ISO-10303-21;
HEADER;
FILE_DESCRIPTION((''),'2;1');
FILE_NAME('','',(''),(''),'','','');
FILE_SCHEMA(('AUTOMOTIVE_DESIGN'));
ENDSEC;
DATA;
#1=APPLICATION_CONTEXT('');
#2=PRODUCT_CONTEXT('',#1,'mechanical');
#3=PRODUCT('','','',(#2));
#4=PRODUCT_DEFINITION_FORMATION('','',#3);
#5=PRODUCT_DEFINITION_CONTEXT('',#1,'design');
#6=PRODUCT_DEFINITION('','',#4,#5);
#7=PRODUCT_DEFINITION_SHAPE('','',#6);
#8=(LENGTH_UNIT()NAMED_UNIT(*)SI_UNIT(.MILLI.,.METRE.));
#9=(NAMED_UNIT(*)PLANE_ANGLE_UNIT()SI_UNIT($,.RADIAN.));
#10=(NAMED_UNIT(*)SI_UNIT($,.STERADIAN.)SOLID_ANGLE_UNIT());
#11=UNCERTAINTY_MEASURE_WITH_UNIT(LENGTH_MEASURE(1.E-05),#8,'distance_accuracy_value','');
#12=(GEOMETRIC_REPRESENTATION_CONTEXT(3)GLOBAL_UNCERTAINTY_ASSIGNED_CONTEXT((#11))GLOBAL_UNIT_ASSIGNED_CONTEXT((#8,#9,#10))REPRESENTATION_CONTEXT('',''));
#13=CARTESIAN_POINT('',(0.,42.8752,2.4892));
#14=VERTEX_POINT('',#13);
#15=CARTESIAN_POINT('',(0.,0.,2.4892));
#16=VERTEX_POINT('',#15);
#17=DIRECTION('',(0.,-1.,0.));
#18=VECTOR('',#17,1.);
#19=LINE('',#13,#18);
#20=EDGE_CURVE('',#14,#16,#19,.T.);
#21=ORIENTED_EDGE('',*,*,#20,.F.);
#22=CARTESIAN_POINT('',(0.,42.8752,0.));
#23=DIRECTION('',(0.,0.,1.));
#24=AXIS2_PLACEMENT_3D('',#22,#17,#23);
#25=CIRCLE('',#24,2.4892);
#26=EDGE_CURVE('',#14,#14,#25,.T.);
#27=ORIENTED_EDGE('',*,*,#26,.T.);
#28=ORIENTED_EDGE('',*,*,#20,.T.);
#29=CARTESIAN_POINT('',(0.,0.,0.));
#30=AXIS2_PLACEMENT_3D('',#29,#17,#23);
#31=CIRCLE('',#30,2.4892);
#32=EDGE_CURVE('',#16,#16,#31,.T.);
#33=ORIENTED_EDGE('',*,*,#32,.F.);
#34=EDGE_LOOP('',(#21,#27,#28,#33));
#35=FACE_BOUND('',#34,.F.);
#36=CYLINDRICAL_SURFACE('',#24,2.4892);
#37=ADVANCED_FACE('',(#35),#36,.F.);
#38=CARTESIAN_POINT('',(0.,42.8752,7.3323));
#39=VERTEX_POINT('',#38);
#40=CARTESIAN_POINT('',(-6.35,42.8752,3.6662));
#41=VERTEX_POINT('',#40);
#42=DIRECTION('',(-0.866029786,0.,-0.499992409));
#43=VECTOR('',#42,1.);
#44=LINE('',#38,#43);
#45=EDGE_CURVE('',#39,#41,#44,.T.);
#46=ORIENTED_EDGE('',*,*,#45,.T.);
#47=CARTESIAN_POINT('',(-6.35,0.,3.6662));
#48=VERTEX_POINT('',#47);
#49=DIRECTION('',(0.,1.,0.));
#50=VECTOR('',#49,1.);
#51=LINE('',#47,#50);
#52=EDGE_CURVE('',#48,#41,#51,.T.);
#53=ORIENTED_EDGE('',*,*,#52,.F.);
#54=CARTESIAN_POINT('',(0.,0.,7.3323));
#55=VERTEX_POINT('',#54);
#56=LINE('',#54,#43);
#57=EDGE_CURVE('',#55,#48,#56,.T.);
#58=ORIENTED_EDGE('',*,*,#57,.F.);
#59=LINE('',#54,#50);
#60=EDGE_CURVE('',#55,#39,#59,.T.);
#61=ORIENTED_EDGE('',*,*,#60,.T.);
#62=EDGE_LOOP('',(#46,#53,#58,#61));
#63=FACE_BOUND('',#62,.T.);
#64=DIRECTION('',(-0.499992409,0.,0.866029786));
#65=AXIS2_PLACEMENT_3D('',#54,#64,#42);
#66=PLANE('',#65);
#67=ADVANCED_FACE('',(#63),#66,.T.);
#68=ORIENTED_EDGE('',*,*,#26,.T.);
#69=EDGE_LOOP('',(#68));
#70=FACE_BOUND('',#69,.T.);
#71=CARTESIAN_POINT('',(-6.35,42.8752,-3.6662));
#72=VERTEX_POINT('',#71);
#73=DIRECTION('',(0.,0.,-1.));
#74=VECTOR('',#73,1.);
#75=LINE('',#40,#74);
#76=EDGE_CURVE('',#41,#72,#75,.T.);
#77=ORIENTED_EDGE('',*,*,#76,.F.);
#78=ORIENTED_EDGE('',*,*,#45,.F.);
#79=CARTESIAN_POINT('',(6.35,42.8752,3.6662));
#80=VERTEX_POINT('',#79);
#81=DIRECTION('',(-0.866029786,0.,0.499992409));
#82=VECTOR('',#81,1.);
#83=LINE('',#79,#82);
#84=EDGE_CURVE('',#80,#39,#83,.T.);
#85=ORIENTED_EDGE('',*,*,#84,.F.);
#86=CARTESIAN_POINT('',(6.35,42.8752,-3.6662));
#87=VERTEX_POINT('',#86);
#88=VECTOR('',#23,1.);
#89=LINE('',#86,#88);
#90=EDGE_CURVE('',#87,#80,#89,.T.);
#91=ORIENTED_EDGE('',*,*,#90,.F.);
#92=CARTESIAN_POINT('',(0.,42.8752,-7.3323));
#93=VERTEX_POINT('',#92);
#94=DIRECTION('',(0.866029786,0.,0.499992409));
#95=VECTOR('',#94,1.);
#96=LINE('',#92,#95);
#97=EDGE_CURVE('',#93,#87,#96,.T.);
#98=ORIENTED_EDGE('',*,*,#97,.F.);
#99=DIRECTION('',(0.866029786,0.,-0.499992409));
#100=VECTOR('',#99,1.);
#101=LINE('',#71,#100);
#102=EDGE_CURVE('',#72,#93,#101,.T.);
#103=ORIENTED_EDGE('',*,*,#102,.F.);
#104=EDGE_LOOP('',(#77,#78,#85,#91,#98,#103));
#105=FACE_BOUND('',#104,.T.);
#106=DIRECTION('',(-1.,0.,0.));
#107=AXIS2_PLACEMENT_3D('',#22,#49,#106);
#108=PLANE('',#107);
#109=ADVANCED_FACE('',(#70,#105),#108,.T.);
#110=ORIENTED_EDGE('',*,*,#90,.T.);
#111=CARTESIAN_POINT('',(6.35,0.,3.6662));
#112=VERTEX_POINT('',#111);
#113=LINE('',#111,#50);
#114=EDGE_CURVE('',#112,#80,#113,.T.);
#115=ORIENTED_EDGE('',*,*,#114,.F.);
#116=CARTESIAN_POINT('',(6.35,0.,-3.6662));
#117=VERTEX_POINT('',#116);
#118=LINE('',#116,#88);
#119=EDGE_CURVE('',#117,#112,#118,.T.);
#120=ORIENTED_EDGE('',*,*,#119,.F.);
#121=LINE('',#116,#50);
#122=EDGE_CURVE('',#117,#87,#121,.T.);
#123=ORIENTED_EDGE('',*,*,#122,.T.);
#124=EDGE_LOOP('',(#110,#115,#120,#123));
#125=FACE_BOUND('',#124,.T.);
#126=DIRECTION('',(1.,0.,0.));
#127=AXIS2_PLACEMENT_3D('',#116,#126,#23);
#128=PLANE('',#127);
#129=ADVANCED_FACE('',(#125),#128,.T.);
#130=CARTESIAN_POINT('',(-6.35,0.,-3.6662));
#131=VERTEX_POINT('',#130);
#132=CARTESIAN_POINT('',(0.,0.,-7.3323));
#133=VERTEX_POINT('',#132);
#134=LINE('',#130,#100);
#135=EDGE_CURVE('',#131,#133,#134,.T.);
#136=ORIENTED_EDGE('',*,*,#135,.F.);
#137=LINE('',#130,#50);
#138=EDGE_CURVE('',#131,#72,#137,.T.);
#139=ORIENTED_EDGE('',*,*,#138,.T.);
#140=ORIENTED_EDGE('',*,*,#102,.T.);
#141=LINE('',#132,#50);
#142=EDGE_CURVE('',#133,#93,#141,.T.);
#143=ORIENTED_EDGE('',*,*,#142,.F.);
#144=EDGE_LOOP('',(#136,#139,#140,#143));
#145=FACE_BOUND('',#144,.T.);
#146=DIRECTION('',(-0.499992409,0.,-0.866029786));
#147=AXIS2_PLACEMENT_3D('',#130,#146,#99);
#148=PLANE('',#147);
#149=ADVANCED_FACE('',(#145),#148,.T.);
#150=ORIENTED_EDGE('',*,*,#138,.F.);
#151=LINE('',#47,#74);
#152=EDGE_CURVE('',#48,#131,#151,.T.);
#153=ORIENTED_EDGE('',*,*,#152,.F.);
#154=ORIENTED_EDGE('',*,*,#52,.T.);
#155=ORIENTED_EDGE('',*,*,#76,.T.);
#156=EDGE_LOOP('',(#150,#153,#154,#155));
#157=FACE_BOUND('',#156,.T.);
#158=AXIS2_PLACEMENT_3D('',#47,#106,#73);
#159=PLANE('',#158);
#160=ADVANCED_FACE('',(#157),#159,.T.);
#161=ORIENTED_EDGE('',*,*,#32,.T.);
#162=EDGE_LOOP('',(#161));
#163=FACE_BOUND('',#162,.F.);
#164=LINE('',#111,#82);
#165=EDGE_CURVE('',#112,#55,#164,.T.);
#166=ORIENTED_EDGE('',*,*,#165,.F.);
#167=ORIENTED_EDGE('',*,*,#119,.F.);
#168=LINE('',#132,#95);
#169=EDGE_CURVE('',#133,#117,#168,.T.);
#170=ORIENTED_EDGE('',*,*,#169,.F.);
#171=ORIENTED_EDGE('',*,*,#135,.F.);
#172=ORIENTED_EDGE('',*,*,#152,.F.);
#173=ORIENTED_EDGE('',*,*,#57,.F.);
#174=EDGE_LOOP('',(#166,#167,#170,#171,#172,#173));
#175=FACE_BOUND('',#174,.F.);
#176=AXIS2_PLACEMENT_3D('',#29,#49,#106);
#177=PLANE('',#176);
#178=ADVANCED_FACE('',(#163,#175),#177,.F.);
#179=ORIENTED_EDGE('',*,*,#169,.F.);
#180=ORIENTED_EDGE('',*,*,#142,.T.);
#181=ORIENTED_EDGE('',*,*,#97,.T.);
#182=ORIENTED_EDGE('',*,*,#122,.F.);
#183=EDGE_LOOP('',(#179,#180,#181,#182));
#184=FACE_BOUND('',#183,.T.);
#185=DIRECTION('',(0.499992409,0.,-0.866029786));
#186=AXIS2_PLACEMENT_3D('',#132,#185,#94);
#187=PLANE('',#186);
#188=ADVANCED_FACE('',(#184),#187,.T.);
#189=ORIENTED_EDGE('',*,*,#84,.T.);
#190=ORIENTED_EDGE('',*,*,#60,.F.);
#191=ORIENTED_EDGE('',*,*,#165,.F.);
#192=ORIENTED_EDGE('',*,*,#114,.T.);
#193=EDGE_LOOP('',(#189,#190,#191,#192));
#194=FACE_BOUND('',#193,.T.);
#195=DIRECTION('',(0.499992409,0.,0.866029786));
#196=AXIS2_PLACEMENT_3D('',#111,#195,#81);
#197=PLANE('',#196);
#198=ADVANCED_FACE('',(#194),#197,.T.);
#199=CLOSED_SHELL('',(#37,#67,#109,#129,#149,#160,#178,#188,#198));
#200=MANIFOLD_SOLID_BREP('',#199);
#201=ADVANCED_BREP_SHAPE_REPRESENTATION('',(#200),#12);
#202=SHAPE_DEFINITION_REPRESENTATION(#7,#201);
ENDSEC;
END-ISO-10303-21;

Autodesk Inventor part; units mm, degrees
ref_plane "YZ Plane" through (0, 0, 0) normal (1, 0, 0) x (0, 1, 0)
ref_plane "XZ Plane" through (0, 0, 0) normal (0, 1, 0) x (-1, 0, 0)
ref_plane "XY Plane" through (0, 0, 0) normal (0, 0, 1) x (1, 0, 0)
sketch "Sketch1" plane through (0, 0, 0) normal (0, 1, 0) x (-1, 0, 0)
  line L0 (0, -7.3323) -> (-6.35, -3.6662)
  line L1 (-6.35, -3.6662) -> (-6.35, 3.6662)
  line L2 (-6.35, 3.6662) -> (0, 7.3323)
  line L3 (0, 7.3323) -> (6.35, 3.6662)
  line L4 (6.35, 3.6662) -> (6.35, -3.6662)
  line L5 (6.35, -3.6662) -> (0, -7.3323)
  point P0 (0, 0)
  point P1 (0, 0)
  dimension "d0" = 12.7
extrude "Extrusion1" add sketch "Sketch1" along normal blind 42.8752
sketch "Sketch2" plane through (0, 42.8752, 0) normal (0, 1, 0) x (1, 0, 0)
  point P0 (0, 0)
  point P1 (0, 0)
hole "Hole1" at (0, 42.8752, 0) direction (0, -1, 0) diameter 4.9784 end through all thread size "1/4-20 UNC" class "2B" standard "ANSI Unified Screw Threads"
properties part number "DragBarLinkage3 HexShaft2"
